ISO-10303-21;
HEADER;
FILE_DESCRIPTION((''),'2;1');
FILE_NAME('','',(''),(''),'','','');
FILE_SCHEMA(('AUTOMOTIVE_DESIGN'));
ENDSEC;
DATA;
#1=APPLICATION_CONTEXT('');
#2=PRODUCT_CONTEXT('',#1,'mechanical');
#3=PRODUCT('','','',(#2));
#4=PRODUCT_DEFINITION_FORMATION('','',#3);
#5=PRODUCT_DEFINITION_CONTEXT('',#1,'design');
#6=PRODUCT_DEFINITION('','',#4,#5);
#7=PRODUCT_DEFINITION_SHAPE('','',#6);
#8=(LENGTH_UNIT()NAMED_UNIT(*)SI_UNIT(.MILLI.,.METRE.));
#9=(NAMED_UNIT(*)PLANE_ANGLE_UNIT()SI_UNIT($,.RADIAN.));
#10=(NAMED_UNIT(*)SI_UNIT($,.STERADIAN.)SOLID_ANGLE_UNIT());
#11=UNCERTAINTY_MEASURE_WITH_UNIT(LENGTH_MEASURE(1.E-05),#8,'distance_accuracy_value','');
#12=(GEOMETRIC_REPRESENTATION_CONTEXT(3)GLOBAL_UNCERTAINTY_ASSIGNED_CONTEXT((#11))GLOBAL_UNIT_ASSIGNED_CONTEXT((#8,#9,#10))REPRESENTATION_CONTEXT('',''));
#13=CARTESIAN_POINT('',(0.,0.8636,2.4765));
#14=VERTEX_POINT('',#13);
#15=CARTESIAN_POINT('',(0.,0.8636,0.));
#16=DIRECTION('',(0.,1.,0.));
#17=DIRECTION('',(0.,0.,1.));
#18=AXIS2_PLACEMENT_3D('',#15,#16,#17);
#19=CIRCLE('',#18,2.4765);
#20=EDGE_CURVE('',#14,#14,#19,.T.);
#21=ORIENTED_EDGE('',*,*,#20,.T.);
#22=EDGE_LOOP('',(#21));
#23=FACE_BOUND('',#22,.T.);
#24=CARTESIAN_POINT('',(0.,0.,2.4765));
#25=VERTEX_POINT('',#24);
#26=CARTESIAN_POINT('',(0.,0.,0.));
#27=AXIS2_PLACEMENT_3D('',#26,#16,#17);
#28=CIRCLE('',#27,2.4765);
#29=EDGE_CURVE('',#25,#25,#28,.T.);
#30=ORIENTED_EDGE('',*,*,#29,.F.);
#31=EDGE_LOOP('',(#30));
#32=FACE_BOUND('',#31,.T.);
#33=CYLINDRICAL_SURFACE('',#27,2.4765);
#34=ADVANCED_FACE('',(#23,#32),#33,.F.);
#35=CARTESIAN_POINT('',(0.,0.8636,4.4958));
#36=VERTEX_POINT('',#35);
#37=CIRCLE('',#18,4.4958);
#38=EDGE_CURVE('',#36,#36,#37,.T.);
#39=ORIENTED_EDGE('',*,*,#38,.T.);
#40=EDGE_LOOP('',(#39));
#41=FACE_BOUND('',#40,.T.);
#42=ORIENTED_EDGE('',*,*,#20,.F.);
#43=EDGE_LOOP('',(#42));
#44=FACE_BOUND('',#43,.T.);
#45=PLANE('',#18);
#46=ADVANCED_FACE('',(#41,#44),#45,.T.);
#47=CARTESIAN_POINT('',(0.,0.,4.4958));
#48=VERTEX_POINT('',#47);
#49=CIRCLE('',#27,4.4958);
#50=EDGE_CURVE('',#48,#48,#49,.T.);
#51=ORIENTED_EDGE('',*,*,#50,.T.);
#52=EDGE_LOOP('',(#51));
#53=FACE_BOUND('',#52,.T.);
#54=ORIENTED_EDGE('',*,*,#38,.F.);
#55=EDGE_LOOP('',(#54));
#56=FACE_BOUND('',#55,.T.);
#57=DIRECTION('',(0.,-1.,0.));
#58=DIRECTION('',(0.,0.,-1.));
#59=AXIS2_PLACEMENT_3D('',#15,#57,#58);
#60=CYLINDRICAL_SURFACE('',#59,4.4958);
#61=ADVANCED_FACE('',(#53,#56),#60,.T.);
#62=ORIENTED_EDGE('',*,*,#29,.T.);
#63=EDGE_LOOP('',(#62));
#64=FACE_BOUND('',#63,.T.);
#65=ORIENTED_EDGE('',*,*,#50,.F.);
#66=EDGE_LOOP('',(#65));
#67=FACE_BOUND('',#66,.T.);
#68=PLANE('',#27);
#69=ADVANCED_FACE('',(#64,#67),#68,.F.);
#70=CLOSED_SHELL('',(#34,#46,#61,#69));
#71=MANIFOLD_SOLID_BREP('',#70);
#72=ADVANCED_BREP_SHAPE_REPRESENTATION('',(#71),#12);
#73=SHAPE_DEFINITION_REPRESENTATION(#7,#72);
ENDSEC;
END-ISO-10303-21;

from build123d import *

# Parameters (mm, degrees)
SKETCH1_R           = 4.4958
BOSS_EXTRUDE1_DEPTH = 0.8636
SKETCH5_R           = 2.4765
CUT_EXTRUDE1_DEPTH  = 1.8636


with BuildPart() as part:
    # Sketch1 → Boss-Extrude1 (new body)
    with BuildSketch(Plane(origin=(0, 0, 0), x_dir=(1, 0, 0), z_dir=(0, 1, 0))):
        Circle(SKETCH1_R)
    extrude(amount=BOSS_EXTRUDE1_DEPTH)

    # Sketch5 → Cut-Extrude1 (cut, through all)
    with BuildSketch(Plane(origin=(0, 0.8636, 0), x_dir=(-1, 0, 0), z_dir=(0, 1, 0))):
        Circle(SKETCH5_R)
    extrude(amount=-CUT_EXTRUDE1_DEPTH, mode=Mode.SUBTRACT)


solid = part.part
